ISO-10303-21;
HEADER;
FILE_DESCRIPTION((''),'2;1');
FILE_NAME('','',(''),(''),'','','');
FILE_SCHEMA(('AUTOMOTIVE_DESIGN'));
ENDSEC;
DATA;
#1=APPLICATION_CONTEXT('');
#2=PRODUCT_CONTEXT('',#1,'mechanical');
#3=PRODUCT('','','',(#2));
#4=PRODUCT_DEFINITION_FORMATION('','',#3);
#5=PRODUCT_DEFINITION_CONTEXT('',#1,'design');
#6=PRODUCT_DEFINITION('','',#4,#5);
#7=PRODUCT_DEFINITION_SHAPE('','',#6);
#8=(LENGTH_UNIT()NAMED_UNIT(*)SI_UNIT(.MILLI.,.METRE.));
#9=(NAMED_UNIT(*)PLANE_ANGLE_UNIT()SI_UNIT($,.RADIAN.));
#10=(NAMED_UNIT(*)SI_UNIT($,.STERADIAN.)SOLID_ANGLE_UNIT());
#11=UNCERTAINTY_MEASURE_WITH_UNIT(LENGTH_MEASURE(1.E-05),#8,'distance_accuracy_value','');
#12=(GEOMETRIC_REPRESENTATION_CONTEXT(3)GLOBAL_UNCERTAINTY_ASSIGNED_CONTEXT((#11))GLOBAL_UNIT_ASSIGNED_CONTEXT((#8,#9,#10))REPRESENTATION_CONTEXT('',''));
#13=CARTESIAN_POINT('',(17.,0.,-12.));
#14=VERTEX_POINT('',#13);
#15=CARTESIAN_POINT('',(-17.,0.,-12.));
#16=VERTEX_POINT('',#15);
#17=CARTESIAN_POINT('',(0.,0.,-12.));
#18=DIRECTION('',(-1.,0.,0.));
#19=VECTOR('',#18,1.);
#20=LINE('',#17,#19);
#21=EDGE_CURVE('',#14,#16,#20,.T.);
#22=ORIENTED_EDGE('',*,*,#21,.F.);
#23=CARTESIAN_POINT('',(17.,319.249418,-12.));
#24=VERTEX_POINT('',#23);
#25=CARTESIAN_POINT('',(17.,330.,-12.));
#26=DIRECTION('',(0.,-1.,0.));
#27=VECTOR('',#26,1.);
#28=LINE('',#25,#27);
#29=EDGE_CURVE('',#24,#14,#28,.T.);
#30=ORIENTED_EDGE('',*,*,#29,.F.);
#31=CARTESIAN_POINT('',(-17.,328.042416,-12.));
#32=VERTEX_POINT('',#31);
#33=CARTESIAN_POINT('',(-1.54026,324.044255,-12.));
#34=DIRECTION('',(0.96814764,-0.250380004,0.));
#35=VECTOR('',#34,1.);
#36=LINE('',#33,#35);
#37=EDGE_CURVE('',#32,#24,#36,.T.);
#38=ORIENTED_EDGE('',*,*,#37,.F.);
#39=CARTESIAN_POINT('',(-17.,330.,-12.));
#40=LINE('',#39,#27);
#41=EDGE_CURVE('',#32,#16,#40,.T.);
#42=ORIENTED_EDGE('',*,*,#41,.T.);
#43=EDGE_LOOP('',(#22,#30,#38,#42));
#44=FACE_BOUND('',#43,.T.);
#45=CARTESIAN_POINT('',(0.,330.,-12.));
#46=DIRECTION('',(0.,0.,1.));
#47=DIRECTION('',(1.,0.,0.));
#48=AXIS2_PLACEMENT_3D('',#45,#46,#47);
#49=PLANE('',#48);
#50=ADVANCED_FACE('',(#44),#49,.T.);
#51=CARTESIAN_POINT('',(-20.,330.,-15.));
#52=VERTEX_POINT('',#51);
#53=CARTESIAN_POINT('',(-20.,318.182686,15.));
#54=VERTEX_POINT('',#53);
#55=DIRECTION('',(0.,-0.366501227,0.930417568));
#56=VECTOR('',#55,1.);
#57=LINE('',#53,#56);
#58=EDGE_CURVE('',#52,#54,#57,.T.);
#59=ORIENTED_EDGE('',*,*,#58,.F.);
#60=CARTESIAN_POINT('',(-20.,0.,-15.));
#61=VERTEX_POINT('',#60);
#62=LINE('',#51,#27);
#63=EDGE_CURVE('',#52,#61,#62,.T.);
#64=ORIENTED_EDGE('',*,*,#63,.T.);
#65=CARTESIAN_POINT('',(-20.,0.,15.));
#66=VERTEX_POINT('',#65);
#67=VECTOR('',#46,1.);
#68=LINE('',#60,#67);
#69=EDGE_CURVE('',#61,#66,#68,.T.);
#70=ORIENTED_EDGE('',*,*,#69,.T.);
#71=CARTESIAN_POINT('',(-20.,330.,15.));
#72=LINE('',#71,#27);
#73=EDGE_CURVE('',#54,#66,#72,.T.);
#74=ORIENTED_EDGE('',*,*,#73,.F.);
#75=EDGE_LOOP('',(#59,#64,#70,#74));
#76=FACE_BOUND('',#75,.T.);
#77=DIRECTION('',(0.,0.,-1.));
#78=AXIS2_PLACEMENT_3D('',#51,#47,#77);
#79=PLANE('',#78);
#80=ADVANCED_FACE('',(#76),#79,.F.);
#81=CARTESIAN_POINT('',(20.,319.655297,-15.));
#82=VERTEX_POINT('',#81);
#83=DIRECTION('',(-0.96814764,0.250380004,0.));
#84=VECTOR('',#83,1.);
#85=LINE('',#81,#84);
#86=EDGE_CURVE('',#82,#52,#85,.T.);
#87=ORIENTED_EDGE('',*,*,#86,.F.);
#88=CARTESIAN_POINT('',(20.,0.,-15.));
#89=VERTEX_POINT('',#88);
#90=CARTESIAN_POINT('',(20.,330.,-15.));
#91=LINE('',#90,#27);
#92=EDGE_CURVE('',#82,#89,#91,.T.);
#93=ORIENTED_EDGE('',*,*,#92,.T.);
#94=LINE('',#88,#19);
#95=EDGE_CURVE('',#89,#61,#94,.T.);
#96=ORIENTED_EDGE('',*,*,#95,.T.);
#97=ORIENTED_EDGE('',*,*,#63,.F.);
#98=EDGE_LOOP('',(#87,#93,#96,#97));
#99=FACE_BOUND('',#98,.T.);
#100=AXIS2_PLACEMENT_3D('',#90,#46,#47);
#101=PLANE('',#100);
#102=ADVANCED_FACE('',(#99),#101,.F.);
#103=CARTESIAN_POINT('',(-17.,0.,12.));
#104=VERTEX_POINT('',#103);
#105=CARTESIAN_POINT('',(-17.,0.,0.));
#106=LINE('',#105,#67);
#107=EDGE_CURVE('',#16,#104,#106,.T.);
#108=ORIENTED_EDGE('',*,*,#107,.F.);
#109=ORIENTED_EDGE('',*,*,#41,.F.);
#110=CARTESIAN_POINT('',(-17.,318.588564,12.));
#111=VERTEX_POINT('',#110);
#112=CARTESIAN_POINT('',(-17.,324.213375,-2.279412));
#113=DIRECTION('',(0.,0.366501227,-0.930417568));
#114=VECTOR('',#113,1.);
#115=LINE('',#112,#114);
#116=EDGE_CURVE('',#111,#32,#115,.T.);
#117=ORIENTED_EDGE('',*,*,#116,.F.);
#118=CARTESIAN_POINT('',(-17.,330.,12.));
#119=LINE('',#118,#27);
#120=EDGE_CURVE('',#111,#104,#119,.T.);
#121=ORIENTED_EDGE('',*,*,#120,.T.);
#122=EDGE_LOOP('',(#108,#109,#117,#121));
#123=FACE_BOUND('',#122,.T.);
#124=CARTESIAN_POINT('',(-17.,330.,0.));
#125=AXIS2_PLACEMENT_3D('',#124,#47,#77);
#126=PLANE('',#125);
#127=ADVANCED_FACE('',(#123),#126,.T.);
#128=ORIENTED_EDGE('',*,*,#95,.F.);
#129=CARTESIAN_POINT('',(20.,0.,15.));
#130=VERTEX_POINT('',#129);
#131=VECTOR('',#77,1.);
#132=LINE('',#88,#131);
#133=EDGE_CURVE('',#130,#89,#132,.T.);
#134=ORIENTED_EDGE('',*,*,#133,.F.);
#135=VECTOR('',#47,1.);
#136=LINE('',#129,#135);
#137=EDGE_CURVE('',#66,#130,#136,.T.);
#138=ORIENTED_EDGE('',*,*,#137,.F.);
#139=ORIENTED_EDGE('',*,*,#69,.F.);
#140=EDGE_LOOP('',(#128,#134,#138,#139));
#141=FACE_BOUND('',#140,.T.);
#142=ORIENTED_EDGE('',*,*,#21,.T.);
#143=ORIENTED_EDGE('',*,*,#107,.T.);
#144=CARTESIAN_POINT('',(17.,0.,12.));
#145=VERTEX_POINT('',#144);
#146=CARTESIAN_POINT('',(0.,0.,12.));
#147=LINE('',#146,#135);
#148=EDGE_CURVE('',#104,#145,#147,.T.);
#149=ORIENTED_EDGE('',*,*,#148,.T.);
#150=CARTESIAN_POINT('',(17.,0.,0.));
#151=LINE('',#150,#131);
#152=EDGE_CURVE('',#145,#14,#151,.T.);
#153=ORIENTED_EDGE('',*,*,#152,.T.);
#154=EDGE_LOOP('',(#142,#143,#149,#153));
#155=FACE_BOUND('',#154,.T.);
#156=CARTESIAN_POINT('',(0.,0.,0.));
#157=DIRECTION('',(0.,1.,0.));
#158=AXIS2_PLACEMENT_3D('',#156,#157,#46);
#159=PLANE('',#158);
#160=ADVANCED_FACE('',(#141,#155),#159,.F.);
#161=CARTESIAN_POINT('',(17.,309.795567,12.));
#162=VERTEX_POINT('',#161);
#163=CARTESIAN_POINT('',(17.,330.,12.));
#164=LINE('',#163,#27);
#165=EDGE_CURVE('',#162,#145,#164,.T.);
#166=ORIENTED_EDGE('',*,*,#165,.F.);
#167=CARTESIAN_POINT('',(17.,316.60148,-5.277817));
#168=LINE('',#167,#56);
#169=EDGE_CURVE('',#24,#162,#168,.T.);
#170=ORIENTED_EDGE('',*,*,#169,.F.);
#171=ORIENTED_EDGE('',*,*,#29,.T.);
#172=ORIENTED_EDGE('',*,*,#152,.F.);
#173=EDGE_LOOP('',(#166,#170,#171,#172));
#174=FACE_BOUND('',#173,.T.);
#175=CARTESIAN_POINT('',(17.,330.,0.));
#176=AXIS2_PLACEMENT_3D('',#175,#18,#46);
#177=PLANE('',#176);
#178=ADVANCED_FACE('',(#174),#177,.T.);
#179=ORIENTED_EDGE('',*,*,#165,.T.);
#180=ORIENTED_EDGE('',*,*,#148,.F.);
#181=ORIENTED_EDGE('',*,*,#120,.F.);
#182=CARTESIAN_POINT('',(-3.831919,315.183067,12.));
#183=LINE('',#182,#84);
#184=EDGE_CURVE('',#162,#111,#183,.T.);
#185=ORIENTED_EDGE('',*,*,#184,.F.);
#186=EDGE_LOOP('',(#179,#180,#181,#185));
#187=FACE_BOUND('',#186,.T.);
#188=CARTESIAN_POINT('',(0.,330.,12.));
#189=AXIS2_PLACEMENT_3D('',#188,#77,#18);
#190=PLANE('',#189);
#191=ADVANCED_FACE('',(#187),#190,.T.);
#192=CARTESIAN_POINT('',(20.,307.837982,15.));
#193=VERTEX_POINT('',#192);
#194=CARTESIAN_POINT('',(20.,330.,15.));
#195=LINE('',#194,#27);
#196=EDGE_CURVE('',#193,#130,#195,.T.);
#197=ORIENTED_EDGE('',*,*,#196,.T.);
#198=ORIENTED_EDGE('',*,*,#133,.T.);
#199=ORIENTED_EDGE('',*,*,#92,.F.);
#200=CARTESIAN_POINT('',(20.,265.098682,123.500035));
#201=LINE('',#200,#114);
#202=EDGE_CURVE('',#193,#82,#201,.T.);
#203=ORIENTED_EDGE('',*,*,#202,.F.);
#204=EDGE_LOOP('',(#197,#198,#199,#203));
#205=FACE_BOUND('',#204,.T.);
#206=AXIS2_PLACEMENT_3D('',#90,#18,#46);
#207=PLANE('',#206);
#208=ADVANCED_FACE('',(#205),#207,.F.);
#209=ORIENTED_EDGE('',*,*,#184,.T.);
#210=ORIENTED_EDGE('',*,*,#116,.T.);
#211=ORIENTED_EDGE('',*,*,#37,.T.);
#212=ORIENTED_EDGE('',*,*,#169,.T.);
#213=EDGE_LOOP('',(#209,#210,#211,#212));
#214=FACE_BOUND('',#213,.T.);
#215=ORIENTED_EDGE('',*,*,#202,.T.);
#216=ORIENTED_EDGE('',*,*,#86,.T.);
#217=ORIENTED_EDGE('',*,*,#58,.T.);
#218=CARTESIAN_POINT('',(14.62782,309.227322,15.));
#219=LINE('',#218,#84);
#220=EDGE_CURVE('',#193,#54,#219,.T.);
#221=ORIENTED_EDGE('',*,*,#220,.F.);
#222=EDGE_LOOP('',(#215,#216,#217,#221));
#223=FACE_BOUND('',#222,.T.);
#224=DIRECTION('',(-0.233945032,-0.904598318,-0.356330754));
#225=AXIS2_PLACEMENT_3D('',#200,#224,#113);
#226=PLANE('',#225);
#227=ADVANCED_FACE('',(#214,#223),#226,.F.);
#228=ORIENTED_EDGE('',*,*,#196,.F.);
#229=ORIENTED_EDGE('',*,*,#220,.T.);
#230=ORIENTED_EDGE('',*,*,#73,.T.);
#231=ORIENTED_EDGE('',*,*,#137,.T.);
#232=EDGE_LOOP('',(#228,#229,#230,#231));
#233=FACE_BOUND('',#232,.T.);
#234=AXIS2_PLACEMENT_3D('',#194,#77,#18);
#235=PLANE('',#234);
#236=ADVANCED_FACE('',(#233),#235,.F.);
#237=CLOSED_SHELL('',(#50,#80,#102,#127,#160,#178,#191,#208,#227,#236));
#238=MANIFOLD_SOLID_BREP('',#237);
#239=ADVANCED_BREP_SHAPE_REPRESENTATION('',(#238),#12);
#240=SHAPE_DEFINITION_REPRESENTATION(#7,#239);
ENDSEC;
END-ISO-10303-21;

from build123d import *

# Parameters (mm, degrees)
SKETCH1_W           = 40
SKETCH1_H           = 30
SKETCH1_W_2         = 34
SKETCH1_H_2         = 24
EXTRUDE_THIN1_DEPTH = 330
EXTRUDE1_DEPTH      = 41
EXTRUDE2_DEPTH      = 33.318373456


with BuildPart() as part:
    # Sketch1 → Extrude-Thin1 (new body)
    with BuildSketch(Plane(origin=(0, 0, 0), x_dir=(1, 0, 0), z_dir=(0, 1, 0))):
        Rectangle(SKETCH1_W, SKETCH1_H)
        Rectangle(SKETCH1_W_2, SKETCH1_H_2, mode=Mode.SUBTRACT)
    extrude(amount=EXTRUDE_THIN1_DEPTH)

    # Sketch2 → Extrude1 (cut, through all)
    with BuildSketch(Plane.ZY.offset(20)):
        Polygon((-15, 330), (15, 330), (15, 318.182685732), align=None)
    extrude(amount=-EXTRUDE1_DEPTH, mode=Mode.SUBTRACT)

    # Sketch3 → Extrude2 (cut, through all, along a direction that is not the sketch's normal)
    with BuildSketch(Plane(origin=(0, 0, -15), x_dir=(-1, 0, 0), z_dir=(0, 0, -1))):
        Polygon((20, 330), (-20, 330), (-20, 319.655296626), align=None)
    extrude(amount=-EXTRUDE2_DEPTH, dir=(0, 0.366501227, -0.930417568), mode=Mode.SUBTRACT)


solid = part.part
